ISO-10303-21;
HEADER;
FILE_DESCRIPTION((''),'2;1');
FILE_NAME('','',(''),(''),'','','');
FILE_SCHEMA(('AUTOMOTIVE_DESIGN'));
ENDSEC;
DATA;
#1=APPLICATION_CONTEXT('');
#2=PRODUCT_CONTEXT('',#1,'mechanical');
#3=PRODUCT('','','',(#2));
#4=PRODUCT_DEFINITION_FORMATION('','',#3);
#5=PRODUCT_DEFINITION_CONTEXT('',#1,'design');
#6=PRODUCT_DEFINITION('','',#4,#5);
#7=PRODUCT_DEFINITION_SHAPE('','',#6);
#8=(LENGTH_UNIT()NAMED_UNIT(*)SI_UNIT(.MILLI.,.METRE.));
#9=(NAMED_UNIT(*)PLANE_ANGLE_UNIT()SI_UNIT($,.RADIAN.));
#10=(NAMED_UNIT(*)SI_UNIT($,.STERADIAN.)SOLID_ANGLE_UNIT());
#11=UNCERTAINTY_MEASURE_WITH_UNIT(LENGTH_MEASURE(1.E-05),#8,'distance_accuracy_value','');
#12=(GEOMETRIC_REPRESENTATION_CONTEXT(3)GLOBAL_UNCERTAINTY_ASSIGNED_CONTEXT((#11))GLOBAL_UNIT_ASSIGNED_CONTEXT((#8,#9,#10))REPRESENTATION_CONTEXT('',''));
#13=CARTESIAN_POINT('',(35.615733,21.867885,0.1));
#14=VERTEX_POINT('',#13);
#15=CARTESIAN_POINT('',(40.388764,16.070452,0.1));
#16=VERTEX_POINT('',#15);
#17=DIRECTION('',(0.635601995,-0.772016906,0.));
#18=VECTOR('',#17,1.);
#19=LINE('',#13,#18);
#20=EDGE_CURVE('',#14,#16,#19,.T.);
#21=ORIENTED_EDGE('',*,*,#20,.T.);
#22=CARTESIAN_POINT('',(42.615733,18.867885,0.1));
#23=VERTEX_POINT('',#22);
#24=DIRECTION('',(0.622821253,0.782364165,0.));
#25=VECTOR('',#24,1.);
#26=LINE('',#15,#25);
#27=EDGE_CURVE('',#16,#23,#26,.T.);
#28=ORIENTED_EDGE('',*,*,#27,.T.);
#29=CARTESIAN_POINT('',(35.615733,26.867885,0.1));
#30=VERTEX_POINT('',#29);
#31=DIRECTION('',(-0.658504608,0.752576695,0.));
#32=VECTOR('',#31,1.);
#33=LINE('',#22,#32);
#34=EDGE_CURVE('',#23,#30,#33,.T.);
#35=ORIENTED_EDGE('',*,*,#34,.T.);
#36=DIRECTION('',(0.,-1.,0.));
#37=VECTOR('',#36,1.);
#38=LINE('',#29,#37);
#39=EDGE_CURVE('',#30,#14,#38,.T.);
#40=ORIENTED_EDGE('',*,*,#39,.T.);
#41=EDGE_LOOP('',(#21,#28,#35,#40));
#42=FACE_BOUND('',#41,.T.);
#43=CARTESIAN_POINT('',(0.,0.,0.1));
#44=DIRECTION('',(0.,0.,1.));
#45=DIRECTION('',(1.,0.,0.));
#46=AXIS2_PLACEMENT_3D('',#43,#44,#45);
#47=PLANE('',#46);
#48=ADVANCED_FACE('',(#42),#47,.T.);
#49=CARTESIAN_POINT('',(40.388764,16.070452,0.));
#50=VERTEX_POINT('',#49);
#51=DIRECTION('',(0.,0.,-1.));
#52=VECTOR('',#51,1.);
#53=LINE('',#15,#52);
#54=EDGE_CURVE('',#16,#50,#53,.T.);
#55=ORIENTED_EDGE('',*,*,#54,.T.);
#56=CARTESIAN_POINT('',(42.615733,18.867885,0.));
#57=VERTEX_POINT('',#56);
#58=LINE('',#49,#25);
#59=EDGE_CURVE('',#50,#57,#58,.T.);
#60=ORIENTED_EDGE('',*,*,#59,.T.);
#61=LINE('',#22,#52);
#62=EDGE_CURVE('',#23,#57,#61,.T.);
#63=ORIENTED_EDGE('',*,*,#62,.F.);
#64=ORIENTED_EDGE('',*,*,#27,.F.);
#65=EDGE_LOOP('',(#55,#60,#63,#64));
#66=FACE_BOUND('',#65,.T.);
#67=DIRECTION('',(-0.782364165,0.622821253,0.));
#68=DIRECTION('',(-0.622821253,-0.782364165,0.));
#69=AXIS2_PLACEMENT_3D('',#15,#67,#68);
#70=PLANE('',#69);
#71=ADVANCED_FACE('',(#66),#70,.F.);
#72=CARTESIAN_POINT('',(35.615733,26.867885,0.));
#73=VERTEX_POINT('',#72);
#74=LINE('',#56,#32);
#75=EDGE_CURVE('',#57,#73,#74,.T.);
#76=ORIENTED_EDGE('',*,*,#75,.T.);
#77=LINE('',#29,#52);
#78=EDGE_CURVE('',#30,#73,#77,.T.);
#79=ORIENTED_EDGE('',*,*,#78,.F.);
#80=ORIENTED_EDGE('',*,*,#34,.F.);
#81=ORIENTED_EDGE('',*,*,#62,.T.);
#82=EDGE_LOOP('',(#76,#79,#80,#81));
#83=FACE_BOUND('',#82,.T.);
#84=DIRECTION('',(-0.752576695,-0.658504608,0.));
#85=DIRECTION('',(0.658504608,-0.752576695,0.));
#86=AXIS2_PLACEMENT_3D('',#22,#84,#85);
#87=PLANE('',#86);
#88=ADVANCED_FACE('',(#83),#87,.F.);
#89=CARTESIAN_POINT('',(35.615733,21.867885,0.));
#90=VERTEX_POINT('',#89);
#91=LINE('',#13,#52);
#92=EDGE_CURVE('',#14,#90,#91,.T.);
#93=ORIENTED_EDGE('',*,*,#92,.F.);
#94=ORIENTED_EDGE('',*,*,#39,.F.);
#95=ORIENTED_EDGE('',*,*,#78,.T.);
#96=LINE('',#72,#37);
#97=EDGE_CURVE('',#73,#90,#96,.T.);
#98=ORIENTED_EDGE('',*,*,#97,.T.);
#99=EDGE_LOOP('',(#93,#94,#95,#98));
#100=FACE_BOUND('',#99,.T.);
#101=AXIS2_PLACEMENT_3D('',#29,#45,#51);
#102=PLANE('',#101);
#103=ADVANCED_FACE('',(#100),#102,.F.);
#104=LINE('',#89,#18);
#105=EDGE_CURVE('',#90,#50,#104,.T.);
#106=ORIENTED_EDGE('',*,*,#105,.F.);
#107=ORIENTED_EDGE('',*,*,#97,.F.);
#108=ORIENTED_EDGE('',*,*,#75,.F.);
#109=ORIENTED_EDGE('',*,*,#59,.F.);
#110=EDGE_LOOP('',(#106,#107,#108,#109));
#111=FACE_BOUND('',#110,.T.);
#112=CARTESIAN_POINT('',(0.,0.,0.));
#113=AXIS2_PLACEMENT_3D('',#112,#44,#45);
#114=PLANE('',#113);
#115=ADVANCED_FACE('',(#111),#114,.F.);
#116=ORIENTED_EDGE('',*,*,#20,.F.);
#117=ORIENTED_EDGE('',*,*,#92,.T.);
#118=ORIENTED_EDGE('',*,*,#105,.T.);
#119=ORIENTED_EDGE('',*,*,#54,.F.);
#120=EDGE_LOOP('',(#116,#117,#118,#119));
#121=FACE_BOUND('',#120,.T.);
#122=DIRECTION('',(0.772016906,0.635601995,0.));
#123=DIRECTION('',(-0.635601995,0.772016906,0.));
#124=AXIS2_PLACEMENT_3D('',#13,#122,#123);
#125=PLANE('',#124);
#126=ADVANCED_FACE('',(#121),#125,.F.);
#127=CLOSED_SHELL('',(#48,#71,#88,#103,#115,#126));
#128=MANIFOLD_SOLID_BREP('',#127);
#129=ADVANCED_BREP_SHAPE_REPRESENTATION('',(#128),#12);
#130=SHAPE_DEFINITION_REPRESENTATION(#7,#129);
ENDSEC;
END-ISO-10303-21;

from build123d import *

# Parameters (mm, degrees)
SALIENTE_EXTRUIR1_DEPTH = 0.1


with BuildPart() as part:
    # Model → Saliente-Extruir1 (new body)
    with BuildSketch(Plane.XY):
        Polygon((42.615733425, 18.867885317), (35.615733425, 26.867885317), (35.615733425, 21.867885317), (40.388764026, 16.070451786), align=None)
    extrude(amount=SALIENTE_EXTRUIR1_DEPTH)


solid = part.part
